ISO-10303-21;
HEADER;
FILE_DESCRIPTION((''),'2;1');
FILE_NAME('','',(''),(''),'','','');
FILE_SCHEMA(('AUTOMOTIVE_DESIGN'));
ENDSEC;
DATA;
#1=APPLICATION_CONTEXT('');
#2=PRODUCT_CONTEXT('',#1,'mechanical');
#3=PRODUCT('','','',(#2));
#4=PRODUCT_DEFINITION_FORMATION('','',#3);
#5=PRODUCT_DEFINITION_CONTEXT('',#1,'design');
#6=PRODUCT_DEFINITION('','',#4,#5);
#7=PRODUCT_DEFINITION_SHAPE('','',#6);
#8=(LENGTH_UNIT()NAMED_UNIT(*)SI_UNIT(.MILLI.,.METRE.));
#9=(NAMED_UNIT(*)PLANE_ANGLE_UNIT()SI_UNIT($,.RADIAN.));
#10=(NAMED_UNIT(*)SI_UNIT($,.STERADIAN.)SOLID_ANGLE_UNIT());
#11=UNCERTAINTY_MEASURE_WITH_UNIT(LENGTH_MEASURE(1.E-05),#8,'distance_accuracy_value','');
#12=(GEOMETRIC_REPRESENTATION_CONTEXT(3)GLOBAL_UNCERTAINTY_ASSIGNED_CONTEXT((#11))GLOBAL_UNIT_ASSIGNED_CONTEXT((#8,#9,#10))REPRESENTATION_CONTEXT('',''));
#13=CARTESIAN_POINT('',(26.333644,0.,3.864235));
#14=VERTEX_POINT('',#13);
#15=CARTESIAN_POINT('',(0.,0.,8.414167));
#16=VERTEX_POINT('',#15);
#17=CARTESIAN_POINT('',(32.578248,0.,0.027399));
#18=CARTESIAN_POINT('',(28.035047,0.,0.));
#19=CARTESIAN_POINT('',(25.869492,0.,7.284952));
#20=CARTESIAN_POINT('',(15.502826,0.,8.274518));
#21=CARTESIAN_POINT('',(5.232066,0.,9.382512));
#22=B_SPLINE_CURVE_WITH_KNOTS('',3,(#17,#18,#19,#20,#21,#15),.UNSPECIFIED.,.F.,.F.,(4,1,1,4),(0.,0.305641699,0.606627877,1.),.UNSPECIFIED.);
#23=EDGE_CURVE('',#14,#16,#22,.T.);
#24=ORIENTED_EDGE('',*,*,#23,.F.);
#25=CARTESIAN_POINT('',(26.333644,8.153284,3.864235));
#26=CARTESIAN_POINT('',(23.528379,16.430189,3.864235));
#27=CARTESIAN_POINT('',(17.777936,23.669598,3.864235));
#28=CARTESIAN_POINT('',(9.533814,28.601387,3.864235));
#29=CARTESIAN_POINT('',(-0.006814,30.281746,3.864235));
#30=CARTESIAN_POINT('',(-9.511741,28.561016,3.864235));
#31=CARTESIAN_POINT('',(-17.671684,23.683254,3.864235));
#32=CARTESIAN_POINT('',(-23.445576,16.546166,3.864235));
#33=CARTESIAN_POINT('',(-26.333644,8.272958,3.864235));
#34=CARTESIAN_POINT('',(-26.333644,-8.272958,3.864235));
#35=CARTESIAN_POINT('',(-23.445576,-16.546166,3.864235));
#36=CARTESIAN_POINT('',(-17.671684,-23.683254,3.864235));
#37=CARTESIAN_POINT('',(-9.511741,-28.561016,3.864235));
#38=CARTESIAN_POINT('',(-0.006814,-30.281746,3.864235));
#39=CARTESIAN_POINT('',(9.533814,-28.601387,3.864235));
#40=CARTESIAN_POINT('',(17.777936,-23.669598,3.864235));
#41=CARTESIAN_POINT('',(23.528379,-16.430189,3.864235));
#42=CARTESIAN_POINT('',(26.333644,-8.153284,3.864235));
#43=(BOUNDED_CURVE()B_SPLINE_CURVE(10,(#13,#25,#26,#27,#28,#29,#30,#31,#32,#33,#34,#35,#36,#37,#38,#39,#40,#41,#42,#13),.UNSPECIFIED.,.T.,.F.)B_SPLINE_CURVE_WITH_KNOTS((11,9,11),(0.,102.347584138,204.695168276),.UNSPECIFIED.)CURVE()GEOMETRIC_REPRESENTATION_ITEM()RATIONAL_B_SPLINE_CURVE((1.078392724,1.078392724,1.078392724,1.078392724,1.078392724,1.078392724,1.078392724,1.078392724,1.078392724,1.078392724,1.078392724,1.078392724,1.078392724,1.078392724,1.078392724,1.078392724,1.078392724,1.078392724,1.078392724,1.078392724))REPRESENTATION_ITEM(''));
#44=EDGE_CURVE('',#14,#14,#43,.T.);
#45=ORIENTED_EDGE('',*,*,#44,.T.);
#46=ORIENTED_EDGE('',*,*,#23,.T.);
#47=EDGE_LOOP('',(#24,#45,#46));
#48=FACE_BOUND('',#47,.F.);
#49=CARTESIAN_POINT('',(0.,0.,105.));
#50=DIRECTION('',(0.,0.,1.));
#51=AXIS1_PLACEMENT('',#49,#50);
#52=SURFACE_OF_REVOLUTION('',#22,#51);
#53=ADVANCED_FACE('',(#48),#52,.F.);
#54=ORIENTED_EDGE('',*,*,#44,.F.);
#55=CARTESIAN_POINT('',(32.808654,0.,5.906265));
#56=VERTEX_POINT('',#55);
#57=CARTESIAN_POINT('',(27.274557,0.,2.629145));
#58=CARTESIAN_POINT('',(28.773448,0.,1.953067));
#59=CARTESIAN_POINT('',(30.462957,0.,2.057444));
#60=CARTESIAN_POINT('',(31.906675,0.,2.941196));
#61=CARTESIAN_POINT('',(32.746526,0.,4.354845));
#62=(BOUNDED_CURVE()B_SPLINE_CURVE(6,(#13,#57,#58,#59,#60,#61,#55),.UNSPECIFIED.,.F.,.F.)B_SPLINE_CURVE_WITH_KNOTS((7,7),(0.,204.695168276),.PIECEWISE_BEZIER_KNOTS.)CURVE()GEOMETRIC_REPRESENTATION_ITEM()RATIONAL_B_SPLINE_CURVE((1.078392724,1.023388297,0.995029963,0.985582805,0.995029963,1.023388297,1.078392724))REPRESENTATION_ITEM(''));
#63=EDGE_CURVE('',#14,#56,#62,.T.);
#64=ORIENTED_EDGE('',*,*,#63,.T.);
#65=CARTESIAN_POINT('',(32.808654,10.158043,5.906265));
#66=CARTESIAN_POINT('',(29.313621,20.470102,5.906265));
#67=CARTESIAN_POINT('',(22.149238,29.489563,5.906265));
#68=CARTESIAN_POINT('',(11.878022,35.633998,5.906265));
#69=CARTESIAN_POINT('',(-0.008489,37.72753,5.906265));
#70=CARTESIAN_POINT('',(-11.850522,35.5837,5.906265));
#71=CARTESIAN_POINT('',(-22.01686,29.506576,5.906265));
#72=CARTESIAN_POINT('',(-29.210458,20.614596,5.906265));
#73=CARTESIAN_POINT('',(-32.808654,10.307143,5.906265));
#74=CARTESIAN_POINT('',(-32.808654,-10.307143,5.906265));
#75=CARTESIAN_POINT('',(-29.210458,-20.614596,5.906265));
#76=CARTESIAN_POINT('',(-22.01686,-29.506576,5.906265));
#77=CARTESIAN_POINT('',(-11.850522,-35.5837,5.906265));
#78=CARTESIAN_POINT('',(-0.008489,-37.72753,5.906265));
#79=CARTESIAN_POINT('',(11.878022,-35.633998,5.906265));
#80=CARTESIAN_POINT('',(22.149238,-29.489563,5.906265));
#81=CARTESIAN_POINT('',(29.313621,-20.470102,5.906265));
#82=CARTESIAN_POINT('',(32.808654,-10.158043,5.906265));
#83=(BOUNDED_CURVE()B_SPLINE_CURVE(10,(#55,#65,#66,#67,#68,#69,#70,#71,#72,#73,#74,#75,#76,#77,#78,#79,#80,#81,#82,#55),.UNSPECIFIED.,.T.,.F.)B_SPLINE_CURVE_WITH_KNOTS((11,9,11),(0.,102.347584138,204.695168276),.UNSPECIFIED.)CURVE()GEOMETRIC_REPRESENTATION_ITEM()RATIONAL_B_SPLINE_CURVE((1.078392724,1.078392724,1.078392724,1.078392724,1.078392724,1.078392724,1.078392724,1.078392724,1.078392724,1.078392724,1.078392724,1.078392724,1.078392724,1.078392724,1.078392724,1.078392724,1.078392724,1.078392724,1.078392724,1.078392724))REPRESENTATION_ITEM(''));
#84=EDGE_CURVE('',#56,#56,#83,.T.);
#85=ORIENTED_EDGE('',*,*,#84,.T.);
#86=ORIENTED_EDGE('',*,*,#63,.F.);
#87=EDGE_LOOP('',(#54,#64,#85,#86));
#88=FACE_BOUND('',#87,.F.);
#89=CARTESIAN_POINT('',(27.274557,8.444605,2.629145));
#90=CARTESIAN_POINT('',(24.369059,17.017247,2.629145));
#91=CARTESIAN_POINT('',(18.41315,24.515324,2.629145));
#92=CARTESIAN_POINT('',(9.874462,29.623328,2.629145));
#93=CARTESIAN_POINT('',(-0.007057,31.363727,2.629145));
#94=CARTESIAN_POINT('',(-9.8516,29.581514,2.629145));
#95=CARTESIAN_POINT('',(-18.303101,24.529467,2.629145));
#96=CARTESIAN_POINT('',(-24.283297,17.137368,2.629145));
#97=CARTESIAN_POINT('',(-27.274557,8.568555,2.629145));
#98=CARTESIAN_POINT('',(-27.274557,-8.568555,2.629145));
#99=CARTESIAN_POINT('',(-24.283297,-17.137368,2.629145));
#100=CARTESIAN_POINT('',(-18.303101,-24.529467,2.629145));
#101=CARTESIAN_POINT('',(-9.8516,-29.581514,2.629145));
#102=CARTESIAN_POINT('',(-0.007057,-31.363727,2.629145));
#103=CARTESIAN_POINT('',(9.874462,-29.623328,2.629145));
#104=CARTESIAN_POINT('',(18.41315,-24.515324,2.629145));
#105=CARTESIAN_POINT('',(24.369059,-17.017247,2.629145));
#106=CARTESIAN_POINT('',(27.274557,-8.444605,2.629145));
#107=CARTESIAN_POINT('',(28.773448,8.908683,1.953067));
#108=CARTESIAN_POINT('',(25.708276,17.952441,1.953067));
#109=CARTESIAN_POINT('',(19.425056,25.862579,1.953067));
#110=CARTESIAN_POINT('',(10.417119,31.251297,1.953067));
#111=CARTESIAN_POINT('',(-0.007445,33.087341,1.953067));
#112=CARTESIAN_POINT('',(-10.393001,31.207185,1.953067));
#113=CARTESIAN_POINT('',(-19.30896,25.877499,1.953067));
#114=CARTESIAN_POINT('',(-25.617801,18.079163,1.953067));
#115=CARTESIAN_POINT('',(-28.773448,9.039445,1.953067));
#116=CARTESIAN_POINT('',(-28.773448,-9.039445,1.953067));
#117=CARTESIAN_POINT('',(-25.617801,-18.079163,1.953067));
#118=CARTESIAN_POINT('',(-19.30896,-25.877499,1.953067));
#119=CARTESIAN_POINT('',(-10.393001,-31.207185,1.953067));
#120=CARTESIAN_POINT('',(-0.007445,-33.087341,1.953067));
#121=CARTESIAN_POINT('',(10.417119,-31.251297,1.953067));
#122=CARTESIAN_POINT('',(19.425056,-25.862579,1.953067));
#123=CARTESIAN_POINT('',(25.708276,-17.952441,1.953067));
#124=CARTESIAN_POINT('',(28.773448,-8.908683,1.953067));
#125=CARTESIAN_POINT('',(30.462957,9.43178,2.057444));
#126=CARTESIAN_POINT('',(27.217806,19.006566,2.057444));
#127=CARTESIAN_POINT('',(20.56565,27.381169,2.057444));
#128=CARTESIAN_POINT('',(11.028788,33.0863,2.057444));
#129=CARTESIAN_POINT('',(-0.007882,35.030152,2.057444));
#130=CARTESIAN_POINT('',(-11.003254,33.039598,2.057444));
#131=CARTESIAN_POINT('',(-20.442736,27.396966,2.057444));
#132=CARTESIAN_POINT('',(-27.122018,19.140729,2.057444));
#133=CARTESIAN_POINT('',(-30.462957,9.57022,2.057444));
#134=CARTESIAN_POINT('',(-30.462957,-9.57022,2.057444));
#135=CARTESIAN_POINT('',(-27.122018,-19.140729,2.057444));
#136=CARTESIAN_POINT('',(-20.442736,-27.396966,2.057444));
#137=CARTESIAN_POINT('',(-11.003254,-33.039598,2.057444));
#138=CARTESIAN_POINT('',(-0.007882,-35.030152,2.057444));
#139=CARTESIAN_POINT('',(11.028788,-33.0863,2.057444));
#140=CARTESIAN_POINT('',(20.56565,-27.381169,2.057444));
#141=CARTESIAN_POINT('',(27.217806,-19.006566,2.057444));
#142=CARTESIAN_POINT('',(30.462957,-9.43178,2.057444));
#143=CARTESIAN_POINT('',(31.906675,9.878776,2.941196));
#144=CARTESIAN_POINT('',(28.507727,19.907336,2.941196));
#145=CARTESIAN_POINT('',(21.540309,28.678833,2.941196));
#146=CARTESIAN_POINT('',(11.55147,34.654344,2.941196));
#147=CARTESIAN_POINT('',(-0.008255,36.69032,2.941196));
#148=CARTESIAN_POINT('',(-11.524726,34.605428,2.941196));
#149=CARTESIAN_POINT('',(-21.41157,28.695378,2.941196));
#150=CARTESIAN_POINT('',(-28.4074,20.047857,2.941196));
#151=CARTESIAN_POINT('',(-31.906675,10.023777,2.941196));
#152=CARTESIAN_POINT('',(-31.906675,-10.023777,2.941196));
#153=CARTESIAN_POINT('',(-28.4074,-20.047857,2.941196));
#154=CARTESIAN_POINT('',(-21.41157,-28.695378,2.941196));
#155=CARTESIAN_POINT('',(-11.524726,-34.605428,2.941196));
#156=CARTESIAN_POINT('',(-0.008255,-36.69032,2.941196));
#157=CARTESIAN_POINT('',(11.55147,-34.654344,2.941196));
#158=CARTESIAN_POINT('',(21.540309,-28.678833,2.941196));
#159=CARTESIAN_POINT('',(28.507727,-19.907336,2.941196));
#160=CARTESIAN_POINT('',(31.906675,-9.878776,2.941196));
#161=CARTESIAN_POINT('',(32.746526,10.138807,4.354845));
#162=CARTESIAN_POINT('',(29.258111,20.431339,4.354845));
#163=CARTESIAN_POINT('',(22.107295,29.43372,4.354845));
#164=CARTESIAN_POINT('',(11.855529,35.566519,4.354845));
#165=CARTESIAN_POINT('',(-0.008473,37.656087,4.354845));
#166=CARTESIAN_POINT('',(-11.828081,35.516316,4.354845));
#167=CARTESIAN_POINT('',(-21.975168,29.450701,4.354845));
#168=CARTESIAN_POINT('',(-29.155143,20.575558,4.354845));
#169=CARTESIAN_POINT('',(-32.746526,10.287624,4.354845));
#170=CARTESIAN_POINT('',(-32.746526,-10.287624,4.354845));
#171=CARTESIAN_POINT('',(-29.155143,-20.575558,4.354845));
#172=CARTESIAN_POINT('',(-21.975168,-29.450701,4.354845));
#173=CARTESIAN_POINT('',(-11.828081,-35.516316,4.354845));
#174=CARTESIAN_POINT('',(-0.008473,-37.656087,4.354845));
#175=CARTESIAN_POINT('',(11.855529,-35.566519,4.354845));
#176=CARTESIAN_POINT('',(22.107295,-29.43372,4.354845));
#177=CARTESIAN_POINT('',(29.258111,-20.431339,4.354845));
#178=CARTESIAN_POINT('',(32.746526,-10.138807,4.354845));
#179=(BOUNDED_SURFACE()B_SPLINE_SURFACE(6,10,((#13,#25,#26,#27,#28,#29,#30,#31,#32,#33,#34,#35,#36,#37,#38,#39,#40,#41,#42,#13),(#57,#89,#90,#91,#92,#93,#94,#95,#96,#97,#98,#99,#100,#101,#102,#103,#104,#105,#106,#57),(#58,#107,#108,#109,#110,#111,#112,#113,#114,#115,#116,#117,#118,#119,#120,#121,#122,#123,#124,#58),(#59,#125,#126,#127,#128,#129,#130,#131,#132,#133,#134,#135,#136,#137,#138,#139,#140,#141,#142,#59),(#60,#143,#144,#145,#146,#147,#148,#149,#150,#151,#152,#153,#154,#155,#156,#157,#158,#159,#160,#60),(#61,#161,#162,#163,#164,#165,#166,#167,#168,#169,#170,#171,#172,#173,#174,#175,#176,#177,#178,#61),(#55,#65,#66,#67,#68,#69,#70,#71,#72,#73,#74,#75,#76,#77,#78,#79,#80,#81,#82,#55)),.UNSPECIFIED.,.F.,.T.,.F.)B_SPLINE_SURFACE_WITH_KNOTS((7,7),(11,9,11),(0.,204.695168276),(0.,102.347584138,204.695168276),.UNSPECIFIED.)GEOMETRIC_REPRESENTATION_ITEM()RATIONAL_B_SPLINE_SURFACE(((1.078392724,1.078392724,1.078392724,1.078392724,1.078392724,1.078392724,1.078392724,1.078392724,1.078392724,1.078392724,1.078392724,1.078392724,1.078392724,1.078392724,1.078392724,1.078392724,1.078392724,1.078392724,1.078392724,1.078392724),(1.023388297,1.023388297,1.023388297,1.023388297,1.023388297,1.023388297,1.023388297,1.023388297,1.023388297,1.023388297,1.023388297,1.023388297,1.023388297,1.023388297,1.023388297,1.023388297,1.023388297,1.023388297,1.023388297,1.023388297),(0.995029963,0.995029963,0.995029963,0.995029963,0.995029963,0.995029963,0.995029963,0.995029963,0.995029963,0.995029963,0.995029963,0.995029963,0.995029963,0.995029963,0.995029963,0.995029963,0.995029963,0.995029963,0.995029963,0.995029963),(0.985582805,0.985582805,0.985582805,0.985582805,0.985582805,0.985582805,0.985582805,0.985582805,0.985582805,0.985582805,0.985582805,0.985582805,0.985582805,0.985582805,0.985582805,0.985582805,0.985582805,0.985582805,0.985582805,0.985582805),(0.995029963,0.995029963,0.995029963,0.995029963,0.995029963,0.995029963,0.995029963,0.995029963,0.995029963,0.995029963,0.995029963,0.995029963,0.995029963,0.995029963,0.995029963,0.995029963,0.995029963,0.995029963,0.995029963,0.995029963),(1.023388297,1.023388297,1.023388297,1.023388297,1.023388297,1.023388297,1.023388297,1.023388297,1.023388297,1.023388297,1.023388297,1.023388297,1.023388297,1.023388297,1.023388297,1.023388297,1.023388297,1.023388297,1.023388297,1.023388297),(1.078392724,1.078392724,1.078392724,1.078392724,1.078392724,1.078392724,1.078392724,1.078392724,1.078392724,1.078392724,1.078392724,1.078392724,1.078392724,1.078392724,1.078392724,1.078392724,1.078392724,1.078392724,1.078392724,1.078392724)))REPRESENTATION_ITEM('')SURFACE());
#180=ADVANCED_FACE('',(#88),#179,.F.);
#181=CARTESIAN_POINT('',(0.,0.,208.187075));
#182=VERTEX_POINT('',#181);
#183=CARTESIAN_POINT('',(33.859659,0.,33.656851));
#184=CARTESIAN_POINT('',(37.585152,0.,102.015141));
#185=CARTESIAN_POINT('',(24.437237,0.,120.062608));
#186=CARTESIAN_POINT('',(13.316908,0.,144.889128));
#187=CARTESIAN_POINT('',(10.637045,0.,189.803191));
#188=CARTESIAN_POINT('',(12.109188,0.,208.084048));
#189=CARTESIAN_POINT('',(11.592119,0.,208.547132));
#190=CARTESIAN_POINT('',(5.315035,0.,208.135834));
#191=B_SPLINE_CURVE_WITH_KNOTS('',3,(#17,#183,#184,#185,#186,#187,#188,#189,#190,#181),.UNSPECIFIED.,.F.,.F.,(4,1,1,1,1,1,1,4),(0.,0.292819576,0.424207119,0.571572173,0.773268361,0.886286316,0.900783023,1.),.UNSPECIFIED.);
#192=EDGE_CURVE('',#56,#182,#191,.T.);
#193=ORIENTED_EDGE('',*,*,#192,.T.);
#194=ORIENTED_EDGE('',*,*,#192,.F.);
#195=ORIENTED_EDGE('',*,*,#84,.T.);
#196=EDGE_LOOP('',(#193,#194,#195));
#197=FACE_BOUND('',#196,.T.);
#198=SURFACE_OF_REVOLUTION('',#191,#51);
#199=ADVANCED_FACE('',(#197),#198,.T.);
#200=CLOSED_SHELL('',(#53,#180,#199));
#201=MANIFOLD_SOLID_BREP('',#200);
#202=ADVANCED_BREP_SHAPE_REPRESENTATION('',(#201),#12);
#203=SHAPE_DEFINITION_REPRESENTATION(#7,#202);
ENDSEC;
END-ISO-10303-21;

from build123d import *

# Parameters (mm, degrees)
F3_R = 3.6079230234


with BuildPart() as f1:
    # F0 (on Front) → F1 (revolve)
    with BuildSketch(Plane.XZ):
        with BuildLine():
            Line((0, 208.1870753478), (0, 8.4141669795))
            add(Edge.make_bspline(
                [(32.5782478581, 0.0273993059), (28.0350472125, 0), (25.8694923917, 7.2849523171), (15.5028260914, 8.2745181957), (5.232066017, 9.3825120416), (0, 8.4141669795)],
                knots=[0, 0, 0, 0, 0.3056416992, 0.6066278765, 1, 1, 1, 1], degree=3))
            add(Edge.make_bspline(
                [(32.5782478581, 0.0273993059), (33.859658679, 33.656850892), (37.5851523293, 102.0151413794), (24.4372373406, 120.0626083798), (13.316908119, 144.8891281067), (10.6370451722, 189.80319068), (12.1091883817, 208.0840482391), (11.5921192018, 208.5471316488), (5.3150347941, 208.1358336202), (0, 208.1870753478)],
                knots=[0, 0, 0, 0, 0.2928195756, 0.4242071192, 0.5715721727, 0.7732683613, 0.8862863161, 0.900783023, 1, 1, 1, 1], degree=3))
        make_face()
    revolve(axis=Axis((0, 0, 105), (0, 0, 1)))

    # F3
    f3_edges = [f1.edges().sort_by_distance(p)[0] for p in [
        (-32.578248, 0, 0.027399),
        (29.780268, 0, 111.474749),
    ]]
    fillet(f3_edges, radius=F3_R)


solid = f1.part
